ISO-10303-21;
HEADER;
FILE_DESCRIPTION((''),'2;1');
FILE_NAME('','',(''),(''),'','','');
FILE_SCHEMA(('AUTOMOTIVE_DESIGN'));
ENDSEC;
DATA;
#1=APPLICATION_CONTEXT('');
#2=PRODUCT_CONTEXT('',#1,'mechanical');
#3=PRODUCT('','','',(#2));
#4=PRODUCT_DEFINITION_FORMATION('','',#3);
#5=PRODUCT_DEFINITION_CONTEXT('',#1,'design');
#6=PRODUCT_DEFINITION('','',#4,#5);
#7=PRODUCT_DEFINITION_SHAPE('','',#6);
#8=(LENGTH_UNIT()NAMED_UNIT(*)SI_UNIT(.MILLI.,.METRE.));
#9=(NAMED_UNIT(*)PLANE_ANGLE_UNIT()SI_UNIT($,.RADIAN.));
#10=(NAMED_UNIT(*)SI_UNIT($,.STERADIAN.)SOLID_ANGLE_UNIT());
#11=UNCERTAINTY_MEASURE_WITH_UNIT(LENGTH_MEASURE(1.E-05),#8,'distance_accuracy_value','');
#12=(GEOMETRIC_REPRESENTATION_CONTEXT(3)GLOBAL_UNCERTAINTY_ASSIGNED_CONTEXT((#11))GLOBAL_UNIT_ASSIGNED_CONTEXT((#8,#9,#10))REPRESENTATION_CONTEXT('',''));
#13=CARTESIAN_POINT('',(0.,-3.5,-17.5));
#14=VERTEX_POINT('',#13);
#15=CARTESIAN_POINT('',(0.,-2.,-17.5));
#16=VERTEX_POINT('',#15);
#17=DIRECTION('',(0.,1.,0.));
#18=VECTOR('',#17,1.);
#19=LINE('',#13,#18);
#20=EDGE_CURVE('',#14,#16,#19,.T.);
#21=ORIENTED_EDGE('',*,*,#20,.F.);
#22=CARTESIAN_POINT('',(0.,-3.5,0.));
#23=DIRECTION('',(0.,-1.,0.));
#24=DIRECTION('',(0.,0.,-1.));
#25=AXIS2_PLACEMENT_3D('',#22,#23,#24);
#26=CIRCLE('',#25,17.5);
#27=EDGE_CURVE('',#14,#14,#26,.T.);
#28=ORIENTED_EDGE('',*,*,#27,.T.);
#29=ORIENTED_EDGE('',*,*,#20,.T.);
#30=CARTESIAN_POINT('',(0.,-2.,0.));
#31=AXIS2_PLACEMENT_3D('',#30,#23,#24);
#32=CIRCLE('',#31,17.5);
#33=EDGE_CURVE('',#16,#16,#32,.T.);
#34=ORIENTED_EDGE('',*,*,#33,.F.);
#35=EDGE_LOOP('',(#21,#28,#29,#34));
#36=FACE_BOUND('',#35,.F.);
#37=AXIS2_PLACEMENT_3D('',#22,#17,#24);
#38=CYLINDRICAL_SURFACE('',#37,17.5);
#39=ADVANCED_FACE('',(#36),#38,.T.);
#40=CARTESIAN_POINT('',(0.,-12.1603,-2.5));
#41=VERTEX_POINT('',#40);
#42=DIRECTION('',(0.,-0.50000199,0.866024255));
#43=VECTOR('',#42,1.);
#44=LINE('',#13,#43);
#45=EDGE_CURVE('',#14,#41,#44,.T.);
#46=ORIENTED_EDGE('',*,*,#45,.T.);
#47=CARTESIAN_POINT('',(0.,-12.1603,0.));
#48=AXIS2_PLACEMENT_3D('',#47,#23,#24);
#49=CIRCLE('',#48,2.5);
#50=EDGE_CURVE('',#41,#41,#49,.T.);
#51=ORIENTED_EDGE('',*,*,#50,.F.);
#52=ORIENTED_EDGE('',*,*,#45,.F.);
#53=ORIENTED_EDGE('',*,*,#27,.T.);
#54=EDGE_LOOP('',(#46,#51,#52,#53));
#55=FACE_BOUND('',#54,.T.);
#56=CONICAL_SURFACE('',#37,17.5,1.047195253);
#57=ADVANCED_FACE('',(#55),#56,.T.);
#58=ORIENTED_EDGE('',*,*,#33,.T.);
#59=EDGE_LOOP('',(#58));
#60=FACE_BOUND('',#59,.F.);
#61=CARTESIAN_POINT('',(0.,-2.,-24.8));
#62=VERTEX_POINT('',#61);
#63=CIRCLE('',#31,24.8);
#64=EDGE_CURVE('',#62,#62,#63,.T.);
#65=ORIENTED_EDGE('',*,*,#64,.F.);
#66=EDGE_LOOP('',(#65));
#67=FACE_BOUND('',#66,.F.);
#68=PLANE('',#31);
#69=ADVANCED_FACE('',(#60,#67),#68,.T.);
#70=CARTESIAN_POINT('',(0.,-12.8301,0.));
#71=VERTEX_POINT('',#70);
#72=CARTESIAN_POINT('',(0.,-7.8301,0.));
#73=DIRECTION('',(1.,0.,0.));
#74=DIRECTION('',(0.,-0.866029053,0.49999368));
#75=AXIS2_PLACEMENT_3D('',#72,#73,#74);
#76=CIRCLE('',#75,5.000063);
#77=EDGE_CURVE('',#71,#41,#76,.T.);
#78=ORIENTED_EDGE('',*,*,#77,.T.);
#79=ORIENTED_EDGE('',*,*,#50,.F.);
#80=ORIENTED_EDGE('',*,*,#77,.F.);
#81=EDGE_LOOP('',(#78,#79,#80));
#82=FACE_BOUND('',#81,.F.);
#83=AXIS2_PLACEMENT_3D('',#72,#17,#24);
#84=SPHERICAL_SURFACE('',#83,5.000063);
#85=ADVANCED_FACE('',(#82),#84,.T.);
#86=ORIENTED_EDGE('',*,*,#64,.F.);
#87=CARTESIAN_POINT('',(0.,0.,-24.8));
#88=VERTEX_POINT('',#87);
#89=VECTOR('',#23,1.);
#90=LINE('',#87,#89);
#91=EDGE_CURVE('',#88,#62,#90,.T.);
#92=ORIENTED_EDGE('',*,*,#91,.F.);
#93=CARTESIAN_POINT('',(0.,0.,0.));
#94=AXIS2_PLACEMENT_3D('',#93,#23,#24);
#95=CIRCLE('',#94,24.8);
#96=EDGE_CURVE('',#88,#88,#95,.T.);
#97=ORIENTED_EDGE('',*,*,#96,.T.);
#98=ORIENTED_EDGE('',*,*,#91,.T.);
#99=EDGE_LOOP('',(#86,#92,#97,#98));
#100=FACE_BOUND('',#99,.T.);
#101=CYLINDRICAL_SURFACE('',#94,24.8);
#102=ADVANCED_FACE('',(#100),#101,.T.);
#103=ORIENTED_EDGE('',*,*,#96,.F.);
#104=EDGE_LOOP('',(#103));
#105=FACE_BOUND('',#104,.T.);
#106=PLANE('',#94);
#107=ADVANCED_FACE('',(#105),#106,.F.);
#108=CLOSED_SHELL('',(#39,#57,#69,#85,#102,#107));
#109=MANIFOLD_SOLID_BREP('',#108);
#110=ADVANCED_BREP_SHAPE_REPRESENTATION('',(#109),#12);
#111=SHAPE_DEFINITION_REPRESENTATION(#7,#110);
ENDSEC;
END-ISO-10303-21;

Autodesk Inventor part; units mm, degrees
ref_plane "YZ Plane" through (0, 0, 0) normal (1, 0, 0) x (0, 1, 0)
ref_plane "XZ Plane" through (0, 0, 0) normal (0, 1, 0) x (-1, 0, 0)
ref_plane "XY Plane" through (0, 0, 0) normal (0, 0, 1) x (1, 0, 0)
sketch "Эскиз1" plane through (0, 0, 0) normal (1, 0, 0) x (0, 1, 0)
  line L0 (0, 0) -> (0, -24.8)
  line L1 (0, 0) -> (-61.7134, 0) construction
  line L2 (0, 0) -> (0, 24.8)
  line L3 (-2, 24.8) -> (-2, -24.8)
  line L4 (0, 24.8) -> (-2, 24.8)
  line L5 (0, -24.8) -> (-2, -24.8)
  line L6 (-3.5, 17.5) -> (-3.5, -17.5)
  line L7 (-3.5, 17.5) -> (-2, 17.5)
  line L8 (-3.5, -17.5) -> (-2, -17.5)
  line L9 (-3.5, 17.5) -> (-12.1603, 2.5)
  line L10 (-3.5, -17.5) -> (-12.1603, -2.5)
  arc A0 (-12.1603, 2.5) -> (-12.1603, -2.5) centre (-7.8301, 0) ccw
  line L11 (0, 0) -> (-12.8301, 0)
  point P0 (-13.6036, 0)
  dimension "d0" = 49.6
  dimension "d1" = 2
  dimension "d2" = 35
  dimension "d3" = 1.5
  dimension "d4" = 30
  dimension "d5" = 5
revolve "Вращение1" add sketch "Эскиз1" angle 360 about axis through (0, 0, 0) along (0, -1, 0) contours L0 L5 L3 L11 | L3 L8 L6 L11 | L6 L10 A0 L11
properties part number "mirror_50" material "Алюминий 6061-AHC"
